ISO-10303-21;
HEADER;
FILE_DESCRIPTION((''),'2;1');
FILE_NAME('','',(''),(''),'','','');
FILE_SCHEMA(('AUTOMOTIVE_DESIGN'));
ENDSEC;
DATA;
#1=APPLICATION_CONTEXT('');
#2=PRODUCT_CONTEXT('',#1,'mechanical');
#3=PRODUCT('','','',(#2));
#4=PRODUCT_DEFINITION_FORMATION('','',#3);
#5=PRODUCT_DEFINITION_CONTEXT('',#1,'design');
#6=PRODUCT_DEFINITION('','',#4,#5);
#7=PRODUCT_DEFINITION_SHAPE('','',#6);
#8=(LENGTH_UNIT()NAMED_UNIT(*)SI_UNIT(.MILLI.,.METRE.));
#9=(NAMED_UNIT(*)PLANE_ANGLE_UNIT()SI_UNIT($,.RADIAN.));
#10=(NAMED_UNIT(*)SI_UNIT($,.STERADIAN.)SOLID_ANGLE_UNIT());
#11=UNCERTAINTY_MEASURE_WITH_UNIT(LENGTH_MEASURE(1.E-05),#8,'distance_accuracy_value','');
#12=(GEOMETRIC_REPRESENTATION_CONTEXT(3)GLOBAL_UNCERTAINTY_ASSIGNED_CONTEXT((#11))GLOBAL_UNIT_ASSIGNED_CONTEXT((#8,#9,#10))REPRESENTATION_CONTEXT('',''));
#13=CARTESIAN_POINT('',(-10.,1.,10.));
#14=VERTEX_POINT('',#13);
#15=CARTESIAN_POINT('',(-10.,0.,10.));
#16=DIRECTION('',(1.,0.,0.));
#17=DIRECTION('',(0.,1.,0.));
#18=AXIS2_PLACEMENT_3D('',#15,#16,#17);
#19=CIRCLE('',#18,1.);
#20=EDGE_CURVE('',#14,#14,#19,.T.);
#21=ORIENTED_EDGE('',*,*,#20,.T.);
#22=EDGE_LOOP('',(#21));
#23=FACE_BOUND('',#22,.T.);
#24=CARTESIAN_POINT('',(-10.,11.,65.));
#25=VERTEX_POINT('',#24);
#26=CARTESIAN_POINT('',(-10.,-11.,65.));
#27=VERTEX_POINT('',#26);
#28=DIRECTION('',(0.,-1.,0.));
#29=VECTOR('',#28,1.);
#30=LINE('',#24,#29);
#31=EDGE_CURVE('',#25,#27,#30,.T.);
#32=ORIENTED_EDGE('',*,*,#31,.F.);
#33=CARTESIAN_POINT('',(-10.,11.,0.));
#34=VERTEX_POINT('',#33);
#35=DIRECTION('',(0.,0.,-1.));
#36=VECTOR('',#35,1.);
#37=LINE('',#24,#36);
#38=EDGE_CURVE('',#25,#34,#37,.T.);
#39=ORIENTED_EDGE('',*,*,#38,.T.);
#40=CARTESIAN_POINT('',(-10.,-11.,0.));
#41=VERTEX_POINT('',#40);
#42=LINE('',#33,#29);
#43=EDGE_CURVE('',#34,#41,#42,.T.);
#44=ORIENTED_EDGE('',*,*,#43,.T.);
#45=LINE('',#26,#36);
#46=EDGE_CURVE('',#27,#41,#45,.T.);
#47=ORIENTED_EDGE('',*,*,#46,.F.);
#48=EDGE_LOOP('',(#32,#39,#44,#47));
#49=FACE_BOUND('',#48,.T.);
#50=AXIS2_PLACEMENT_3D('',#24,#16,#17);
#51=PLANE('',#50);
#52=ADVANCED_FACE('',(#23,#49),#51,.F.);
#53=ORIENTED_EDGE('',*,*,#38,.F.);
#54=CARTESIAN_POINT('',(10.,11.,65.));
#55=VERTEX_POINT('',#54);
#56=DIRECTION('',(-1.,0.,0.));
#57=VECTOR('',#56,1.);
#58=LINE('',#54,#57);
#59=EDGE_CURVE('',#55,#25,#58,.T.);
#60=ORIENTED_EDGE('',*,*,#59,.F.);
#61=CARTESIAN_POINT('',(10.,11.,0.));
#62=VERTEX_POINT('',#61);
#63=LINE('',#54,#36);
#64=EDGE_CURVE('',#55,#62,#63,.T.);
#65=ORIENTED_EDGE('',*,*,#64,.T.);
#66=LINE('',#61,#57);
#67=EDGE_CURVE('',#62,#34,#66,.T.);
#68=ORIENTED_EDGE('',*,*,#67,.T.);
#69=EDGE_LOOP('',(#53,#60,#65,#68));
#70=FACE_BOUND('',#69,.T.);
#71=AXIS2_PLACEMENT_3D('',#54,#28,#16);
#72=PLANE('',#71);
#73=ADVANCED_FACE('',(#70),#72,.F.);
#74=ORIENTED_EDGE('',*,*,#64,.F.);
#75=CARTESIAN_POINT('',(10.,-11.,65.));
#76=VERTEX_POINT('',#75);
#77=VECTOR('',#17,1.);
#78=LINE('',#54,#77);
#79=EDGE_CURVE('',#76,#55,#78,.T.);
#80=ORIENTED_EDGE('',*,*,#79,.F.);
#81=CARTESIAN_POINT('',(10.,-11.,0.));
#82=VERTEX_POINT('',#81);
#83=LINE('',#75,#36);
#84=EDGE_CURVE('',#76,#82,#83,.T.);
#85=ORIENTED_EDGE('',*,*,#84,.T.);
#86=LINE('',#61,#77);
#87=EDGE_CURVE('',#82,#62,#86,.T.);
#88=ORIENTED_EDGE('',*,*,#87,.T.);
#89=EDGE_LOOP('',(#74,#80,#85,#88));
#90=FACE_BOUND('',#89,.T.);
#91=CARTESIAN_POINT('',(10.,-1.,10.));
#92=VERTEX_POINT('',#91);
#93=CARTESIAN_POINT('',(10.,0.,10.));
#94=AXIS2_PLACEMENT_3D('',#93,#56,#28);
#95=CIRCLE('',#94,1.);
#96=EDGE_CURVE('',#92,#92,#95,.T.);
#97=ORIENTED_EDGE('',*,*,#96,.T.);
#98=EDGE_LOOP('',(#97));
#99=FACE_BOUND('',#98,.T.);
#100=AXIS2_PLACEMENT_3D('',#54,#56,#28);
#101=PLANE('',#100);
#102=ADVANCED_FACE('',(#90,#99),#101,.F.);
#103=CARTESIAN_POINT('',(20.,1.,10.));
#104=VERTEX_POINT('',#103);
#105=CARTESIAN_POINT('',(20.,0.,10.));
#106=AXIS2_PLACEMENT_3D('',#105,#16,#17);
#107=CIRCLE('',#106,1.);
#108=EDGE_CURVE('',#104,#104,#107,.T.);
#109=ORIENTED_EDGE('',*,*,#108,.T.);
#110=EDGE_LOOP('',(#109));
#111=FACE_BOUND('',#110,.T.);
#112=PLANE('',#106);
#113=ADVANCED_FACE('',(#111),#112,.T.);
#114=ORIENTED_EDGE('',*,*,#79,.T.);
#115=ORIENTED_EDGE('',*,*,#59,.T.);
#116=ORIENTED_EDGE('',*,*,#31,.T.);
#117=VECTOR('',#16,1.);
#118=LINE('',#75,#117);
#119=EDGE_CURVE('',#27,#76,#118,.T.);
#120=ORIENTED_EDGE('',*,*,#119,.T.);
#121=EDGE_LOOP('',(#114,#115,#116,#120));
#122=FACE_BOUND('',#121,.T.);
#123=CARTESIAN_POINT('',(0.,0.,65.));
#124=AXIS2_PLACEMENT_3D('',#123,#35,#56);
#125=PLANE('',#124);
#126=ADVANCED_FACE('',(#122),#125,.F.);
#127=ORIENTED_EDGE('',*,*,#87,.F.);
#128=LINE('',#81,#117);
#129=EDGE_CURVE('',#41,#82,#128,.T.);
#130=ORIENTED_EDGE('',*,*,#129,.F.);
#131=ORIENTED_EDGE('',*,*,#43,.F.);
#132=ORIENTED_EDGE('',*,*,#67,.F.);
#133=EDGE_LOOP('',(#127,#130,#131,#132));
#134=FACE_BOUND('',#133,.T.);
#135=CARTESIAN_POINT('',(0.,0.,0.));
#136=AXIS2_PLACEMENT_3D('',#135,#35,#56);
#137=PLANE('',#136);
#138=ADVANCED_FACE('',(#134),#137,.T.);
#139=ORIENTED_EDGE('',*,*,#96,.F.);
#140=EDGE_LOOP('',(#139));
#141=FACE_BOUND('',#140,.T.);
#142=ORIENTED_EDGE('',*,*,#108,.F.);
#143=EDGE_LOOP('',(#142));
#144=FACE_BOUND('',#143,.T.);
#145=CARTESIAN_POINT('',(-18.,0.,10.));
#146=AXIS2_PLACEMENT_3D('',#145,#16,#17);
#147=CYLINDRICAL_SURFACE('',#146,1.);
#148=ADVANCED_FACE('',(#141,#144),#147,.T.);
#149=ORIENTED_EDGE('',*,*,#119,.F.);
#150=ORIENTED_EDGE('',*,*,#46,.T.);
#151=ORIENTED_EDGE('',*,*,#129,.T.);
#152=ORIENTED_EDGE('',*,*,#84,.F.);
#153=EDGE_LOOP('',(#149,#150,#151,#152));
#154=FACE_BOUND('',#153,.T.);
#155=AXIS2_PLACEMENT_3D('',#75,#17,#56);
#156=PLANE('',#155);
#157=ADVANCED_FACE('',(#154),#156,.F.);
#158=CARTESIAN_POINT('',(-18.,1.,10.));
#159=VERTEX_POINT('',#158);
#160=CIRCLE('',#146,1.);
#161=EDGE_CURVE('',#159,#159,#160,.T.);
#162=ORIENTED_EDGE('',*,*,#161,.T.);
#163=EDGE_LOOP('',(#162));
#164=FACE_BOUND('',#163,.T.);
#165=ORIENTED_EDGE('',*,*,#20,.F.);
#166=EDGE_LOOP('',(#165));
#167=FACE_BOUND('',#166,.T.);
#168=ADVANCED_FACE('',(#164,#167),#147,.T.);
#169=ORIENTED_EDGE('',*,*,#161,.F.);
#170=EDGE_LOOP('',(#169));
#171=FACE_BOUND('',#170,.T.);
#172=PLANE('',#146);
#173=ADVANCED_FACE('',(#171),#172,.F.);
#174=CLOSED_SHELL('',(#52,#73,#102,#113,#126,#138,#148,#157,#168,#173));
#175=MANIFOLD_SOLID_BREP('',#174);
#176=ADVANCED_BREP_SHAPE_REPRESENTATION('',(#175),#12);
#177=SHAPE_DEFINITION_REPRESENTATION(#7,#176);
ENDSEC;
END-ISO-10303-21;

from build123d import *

# Parameters (mm, degrees)
SKETCH_1_W           = 20
SKETCH_1_H           = 22
EXTRUDE_1_DEPTH      = 65
EXTRUDE_2_DEPTH      = 10
EXTRUDE_2_DEPTH_BACK = 28
SKETCH_2_R           = 1


with BuildPart() as part:
    # 草圖1 → 填料-伸長1 (new body)
    with BuildSketch(Plane.XY):
        Rectangle(SKETCH_1_W, SKETCH_1_H)
    extrude(amount=EXTRUDE_1_DEPTH)

    # 草圖2 → 填料-伸長2 (add, two sides: drawn at the far end of the back side and taken through both)
    with BuildSketch(Plane(origin=(10, 0, 0), x_dir=(0, 0, -1), z_dir=(1, 0, 0)).offset(-EXTRUDE_2_DEPTH_BACK)):
        with Locations(Location((-10, 0, 0), (0, 0, 90))):
            Circle(SKETCH_2_R)
    extrude(amount=EXTRUDE_2_DEPTH + EXTRUDE_2_DEPTH_BACK)


solid = part.part
